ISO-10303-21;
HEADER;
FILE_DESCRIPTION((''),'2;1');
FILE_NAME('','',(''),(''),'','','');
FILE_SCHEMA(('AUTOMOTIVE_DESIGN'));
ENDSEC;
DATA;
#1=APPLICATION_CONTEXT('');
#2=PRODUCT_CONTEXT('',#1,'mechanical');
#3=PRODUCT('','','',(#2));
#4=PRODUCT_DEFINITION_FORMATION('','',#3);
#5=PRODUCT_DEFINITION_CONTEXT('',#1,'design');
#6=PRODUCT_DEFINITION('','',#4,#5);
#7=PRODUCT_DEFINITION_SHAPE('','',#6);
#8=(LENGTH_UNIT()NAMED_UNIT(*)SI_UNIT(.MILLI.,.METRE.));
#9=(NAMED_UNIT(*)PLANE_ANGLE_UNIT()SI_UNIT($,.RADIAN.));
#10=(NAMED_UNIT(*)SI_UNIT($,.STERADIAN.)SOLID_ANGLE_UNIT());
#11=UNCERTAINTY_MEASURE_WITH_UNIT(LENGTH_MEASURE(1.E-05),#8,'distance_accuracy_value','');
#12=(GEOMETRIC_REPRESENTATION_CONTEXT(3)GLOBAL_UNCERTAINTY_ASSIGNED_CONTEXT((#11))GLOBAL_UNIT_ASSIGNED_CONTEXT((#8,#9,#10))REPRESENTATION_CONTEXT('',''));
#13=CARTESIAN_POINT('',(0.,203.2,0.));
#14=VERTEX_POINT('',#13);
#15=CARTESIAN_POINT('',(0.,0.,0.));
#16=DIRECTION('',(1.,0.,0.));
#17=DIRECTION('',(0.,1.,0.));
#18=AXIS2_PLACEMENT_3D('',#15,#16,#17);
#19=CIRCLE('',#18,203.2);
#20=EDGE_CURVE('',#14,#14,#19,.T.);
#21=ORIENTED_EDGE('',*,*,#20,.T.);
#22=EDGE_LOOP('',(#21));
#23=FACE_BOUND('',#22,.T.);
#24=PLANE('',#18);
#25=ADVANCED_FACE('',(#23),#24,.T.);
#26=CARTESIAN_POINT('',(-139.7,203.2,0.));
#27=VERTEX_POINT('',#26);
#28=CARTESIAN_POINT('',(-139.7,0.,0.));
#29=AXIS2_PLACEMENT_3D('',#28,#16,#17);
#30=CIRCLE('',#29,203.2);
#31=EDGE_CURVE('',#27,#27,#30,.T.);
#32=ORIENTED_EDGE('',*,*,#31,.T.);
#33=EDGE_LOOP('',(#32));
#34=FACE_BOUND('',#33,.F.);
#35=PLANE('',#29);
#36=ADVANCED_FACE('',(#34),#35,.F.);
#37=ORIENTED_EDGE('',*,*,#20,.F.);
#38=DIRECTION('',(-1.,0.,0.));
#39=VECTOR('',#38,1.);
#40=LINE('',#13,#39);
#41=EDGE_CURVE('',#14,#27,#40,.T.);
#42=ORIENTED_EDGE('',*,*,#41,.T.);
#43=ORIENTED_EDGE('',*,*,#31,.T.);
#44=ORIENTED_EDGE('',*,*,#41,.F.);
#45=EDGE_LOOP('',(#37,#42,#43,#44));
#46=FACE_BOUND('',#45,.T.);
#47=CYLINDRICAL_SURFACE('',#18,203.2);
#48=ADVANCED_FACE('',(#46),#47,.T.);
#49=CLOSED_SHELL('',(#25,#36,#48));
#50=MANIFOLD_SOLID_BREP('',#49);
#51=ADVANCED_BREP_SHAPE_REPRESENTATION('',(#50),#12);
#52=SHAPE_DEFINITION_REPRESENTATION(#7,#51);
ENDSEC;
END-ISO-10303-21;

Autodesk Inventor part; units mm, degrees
ref_plane "YZ Plane" through (0, 0, 0) normal (1, 0, 0) x (0, 1, 0)
ref_plane "XZ Plane" through (0, 0, 0) normal (0, 1, 0) x (-1, 0, 0)
ref_plane "XY Plane" through (0, 0, 0) normal (0, 0, 1) x (1, 0, 0)
sketch "Sketch1" plane through (0, 0, 0) normal (1, 0, 0) x (0, 1, 0)
  circle A0 centre (0, 0) radius 203.2
  dimension "d0" = 406.4
extrude "Extrusion1" add sketch "Sketch1" against normal blind 139.7
properties part number "Wheel"
